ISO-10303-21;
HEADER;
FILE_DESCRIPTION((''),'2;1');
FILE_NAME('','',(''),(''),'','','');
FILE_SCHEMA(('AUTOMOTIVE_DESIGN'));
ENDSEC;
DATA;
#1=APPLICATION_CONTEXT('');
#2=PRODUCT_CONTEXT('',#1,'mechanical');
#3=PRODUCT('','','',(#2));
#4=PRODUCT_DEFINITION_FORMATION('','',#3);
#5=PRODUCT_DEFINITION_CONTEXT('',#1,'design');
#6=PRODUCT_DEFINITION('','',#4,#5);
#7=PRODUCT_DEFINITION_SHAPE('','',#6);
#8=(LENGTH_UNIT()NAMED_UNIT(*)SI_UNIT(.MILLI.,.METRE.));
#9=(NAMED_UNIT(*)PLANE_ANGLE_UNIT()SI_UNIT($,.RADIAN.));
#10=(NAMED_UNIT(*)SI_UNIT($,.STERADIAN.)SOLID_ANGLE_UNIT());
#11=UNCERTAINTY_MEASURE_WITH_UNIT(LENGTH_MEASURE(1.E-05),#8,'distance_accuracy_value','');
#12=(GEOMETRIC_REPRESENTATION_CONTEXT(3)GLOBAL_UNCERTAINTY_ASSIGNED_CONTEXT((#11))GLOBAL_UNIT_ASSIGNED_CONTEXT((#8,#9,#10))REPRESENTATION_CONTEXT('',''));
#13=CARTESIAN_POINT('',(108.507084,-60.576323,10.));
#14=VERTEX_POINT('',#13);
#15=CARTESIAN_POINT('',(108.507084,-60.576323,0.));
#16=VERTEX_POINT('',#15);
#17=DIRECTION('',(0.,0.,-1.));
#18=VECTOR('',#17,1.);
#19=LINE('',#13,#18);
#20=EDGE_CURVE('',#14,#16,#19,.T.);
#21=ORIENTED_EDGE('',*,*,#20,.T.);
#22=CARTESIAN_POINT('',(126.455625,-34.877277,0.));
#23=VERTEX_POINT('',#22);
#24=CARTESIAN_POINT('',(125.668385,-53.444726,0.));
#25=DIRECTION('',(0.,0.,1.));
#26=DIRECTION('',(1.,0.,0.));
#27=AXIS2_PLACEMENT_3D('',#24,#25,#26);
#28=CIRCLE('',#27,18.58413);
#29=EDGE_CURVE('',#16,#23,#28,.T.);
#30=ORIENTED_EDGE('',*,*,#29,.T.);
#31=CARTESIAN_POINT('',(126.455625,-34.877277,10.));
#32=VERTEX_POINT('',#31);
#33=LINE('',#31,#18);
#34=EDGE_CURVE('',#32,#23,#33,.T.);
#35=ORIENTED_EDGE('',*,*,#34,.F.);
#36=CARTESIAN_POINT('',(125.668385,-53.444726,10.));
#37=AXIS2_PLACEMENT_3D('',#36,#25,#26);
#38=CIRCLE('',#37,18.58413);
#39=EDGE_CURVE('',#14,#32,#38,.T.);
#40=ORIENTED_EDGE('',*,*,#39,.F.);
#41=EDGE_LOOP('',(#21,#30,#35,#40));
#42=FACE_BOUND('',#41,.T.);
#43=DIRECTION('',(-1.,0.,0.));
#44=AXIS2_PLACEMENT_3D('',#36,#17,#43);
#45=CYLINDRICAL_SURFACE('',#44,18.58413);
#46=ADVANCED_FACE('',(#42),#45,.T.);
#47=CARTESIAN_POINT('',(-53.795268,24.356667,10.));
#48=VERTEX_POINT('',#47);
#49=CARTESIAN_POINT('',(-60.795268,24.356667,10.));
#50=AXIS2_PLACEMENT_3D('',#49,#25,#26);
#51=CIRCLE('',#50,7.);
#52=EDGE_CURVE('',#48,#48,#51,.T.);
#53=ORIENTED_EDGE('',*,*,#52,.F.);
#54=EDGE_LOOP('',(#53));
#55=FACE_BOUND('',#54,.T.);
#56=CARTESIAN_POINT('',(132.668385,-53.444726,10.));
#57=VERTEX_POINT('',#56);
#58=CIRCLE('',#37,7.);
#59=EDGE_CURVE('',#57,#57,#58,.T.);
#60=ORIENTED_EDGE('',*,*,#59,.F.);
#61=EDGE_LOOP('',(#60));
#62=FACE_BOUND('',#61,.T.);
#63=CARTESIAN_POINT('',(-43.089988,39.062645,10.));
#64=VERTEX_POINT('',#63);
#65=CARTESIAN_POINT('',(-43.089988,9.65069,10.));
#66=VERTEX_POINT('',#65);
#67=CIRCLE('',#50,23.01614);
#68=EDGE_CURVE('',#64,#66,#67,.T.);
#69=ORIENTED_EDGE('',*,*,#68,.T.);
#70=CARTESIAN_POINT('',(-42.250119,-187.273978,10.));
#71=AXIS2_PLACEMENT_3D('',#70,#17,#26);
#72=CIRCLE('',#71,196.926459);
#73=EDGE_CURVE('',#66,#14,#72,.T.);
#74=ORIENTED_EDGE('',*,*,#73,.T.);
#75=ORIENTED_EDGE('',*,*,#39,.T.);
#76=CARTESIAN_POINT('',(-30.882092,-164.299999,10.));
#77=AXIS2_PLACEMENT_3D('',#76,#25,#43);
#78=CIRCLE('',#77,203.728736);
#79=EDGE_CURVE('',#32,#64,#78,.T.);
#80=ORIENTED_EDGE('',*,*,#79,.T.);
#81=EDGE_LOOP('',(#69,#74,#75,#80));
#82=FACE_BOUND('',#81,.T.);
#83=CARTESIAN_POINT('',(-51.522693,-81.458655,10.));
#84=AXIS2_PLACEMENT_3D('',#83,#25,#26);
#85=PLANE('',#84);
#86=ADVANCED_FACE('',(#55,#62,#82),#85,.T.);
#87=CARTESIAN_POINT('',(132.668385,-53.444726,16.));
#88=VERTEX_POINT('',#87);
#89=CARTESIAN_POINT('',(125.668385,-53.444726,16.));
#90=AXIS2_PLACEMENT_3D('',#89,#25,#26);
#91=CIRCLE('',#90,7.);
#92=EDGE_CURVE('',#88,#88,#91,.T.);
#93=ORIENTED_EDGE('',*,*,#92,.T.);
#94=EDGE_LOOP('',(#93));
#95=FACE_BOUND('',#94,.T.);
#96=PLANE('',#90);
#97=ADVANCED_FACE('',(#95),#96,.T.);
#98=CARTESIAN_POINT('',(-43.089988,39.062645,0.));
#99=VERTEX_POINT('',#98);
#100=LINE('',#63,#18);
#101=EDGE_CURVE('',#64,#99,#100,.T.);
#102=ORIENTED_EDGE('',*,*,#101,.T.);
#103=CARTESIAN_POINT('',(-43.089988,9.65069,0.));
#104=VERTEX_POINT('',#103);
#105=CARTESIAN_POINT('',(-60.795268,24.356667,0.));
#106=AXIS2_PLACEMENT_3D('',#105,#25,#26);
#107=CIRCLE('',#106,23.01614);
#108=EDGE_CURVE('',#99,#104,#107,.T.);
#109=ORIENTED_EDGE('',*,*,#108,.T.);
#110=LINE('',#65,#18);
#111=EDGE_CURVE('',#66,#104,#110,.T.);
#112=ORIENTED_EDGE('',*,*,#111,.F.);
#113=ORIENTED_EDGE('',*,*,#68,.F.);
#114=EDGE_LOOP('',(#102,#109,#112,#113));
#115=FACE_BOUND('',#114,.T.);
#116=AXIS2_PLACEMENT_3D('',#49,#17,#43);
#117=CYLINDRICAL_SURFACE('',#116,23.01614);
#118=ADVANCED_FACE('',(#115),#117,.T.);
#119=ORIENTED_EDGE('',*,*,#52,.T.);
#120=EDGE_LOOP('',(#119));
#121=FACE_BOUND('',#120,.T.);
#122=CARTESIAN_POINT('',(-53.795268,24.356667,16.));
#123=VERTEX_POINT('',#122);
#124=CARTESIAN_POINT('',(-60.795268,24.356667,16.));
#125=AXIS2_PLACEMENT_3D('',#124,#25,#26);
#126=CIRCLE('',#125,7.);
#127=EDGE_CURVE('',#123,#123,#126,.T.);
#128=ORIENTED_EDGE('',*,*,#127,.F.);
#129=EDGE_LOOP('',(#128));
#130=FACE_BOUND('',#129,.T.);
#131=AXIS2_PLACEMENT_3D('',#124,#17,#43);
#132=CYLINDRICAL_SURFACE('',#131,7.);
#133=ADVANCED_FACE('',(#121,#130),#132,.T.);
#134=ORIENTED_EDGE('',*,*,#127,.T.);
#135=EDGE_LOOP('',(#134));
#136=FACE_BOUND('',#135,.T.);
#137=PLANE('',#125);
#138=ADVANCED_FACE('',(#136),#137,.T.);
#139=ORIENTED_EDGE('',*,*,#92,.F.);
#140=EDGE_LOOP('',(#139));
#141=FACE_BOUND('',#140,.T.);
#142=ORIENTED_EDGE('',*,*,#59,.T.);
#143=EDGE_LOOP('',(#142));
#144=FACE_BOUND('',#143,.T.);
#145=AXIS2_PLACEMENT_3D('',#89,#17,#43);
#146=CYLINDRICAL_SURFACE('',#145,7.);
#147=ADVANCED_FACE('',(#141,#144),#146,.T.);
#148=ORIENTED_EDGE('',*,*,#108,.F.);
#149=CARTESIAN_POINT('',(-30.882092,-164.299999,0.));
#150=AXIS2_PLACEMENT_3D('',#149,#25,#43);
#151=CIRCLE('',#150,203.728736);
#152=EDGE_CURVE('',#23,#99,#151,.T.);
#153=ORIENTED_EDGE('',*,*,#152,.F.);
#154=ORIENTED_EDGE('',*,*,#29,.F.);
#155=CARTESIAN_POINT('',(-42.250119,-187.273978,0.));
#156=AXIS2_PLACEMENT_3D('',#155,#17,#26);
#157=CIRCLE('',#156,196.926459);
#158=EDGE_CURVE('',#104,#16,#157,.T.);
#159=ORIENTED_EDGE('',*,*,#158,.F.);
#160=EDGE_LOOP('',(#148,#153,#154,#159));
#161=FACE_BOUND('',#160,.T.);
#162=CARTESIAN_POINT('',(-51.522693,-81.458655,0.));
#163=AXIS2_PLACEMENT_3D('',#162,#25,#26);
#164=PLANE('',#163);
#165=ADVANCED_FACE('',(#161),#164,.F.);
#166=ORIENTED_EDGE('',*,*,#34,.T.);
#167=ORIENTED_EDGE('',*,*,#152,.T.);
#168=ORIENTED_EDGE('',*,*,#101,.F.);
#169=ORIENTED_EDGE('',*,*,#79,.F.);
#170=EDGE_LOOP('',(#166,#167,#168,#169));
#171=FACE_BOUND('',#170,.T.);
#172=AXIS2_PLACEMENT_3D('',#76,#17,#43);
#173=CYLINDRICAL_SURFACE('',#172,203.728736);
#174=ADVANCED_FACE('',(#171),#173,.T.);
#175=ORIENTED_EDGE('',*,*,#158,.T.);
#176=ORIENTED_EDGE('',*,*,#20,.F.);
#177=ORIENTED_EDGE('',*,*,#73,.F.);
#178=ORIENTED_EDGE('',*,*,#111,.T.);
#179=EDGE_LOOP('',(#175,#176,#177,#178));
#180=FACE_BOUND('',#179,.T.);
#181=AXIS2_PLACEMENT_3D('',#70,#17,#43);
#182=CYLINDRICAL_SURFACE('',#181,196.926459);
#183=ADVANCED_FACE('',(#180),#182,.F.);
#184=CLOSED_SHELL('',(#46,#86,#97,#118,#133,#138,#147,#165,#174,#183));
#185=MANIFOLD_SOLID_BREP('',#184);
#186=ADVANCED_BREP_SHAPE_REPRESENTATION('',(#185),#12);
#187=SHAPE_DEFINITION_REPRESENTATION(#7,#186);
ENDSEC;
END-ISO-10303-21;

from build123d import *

# Parameters (mm, degrees)
BOSS_EXTRUDE1_DEPTH = 10
SKETCH2_R           = 7
BOSS_EXTRUDE2_DEPTH = 6


with BuildPart() as part:
    # Sketch1 → Boss-Extrude1 (new body)
    with BuildSketch(Plane.XY):
        with BuildLine():
            ThreePointArc((-43.08998785, 39.062645298), (50.557727896, 22.443015988), (126.455624698, -34.877277135))
            ThreePointArc((126.455624698, -34.877277135), (140.904450524, -64.085787948), (108.507084419, -60.576323444))
            ThreePointArc((108.507084419, -60.576323444), (40.525240485, -8.589143953), (-43.08998785, 9.650689563))
            ThreePointArc((-43.08998785, 9.650689563), (-83.811407941, 24.356667431), (-43.08998785, 39.062645298))
        make_face()
    extrude(amount=BOSS_EXTRUDE1_DEPTH)

    # Sketch2 → Boss-Extrude2 (add)
    with BuildSketch(Plane.XY.offset(10)):
        with Locations((125.668384571, -53.444726012)):
            Circle(SKETCH2_R)
        with Locations((-60.795267601, 24.356667431)):
            Circle(SKETCH2_R)
    extrude(amount=BOSS_EXTRUDE2_DEPTH)


solid = part.part
